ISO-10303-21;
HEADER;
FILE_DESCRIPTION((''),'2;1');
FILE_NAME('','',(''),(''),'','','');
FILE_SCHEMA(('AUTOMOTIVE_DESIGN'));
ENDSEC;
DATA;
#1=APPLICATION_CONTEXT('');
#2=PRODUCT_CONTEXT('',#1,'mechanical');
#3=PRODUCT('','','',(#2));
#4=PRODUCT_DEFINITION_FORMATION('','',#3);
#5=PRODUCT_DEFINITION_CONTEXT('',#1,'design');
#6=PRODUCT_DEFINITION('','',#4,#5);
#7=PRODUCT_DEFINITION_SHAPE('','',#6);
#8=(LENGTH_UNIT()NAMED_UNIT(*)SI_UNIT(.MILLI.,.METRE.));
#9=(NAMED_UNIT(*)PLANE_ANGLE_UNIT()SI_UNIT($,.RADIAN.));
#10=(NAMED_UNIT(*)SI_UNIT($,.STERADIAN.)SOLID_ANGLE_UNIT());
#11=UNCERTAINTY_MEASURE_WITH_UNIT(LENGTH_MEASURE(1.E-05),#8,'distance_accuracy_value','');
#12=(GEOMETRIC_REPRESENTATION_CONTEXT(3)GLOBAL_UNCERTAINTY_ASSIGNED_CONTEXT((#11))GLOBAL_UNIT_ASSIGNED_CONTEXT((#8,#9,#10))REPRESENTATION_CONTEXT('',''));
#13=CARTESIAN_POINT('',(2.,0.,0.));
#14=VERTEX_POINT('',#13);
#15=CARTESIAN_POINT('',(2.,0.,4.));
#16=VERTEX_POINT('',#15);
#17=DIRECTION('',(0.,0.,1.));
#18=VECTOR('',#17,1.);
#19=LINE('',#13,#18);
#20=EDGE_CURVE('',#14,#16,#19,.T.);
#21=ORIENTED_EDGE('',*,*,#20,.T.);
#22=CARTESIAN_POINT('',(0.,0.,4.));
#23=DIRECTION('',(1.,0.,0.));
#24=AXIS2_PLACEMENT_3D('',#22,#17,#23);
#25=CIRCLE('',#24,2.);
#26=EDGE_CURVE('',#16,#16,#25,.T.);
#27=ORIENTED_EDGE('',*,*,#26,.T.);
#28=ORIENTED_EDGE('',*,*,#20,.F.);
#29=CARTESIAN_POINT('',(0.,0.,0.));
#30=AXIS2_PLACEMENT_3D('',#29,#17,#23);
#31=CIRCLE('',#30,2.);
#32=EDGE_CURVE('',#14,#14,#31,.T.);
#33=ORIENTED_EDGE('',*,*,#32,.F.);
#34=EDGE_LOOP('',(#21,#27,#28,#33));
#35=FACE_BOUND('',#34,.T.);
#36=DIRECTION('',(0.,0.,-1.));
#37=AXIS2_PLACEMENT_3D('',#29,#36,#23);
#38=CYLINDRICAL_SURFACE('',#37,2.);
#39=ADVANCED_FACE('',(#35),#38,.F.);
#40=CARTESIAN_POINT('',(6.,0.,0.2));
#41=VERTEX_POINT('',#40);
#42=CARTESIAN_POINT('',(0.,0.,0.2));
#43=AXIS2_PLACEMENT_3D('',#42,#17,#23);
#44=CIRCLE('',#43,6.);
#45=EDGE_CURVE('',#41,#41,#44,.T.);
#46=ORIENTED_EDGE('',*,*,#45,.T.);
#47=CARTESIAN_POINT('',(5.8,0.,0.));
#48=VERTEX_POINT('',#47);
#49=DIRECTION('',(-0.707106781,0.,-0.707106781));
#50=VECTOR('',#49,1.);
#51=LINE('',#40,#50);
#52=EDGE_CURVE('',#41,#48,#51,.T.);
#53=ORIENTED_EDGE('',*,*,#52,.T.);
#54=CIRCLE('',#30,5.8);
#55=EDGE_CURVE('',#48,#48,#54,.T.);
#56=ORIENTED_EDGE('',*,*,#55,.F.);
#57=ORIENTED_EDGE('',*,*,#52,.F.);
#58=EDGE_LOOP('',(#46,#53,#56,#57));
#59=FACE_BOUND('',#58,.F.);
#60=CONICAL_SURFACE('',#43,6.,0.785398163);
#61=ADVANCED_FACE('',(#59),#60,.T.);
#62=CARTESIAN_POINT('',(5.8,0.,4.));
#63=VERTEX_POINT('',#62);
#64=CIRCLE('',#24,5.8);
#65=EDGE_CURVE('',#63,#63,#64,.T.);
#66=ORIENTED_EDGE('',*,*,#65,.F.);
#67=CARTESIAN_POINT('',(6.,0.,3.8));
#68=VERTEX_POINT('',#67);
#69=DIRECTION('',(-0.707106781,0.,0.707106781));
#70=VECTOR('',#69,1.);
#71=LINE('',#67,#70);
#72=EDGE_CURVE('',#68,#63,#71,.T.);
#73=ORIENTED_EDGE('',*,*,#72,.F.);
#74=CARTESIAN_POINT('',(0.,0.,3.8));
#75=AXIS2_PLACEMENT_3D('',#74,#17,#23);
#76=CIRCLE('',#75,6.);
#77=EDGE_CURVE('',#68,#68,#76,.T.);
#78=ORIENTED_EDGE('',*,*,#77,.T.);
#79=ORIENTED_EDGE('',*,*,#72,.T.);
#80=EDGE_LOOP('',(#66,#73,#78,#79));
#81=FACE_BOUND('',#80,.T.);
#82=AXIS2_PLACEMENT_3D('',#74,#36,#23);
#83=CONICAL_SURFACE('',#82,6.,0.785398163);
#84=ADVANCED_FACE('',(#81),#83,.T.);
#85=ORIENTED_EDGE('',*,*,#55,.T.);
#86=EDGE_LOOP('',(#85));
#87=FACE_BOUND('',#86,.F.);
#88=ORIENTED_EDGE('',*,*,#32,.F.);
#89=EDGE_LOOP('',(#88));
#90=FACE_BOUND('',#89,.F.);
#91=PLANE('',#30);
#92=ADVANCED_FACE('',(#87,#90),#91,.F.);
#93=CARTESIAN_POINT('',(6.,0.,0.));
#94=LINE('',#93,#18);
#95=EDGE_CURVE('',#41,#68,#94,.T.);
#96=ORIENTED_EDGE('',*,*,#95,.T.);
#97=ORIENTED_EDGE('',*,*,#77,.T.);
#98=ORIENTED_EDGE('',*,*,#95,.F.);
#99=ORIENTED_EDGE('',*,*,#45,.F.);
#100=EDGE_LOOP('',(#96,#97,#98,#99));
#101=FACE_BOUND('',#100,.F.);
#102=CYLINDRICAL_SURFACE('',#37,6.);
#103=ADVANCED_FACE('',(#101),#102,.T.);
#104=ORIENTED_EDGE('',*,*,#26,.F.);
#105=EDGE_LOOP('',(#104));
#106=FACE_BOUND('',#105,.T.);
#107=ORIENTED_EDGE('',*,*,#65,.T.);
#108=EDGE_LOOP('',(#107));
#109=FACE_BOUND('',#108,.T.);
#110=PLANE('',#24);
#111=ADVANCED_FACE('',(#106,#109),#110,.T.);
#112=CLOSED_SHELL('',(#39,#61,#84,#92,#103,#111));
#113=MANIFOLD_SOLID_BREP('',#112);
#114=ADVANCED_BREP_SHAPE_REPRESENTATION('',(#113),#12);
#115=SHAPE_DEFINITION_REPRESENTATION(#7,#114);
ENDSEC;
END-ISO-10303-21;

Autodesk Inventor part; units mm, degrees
ref_plane "YZ Plane" through (0, 0, 0) normal (1, 0, 0) x (0, 1, 0)
ref_plane "XZ Plane" through (0, 0, 0) normal (0, 1, 0) x (-1, 0, 0)
ref_plane "XY Plane" through (0, 0, 0) normal (0, 0, 1) x (1, 0, 0)
sketch "Эскиз1" plane through (0, 0, 0) normal (0, 0, 1) x (1, 0, 0)
  circle A0 centre (0, 0) radius 6
  circle A1 centre (0, 0) radius 2
  dimension "d0" = 12
  dimension "d1" = 4
extrude "Выдавливание1" add sketch "Эскиз1" along normal blind 4
chamfer "Фаска1" distance 0.2 angle 45 2 edges at (-6, 0, 4) (-6, 0, 0)
properties part number "604zz_bearing"
